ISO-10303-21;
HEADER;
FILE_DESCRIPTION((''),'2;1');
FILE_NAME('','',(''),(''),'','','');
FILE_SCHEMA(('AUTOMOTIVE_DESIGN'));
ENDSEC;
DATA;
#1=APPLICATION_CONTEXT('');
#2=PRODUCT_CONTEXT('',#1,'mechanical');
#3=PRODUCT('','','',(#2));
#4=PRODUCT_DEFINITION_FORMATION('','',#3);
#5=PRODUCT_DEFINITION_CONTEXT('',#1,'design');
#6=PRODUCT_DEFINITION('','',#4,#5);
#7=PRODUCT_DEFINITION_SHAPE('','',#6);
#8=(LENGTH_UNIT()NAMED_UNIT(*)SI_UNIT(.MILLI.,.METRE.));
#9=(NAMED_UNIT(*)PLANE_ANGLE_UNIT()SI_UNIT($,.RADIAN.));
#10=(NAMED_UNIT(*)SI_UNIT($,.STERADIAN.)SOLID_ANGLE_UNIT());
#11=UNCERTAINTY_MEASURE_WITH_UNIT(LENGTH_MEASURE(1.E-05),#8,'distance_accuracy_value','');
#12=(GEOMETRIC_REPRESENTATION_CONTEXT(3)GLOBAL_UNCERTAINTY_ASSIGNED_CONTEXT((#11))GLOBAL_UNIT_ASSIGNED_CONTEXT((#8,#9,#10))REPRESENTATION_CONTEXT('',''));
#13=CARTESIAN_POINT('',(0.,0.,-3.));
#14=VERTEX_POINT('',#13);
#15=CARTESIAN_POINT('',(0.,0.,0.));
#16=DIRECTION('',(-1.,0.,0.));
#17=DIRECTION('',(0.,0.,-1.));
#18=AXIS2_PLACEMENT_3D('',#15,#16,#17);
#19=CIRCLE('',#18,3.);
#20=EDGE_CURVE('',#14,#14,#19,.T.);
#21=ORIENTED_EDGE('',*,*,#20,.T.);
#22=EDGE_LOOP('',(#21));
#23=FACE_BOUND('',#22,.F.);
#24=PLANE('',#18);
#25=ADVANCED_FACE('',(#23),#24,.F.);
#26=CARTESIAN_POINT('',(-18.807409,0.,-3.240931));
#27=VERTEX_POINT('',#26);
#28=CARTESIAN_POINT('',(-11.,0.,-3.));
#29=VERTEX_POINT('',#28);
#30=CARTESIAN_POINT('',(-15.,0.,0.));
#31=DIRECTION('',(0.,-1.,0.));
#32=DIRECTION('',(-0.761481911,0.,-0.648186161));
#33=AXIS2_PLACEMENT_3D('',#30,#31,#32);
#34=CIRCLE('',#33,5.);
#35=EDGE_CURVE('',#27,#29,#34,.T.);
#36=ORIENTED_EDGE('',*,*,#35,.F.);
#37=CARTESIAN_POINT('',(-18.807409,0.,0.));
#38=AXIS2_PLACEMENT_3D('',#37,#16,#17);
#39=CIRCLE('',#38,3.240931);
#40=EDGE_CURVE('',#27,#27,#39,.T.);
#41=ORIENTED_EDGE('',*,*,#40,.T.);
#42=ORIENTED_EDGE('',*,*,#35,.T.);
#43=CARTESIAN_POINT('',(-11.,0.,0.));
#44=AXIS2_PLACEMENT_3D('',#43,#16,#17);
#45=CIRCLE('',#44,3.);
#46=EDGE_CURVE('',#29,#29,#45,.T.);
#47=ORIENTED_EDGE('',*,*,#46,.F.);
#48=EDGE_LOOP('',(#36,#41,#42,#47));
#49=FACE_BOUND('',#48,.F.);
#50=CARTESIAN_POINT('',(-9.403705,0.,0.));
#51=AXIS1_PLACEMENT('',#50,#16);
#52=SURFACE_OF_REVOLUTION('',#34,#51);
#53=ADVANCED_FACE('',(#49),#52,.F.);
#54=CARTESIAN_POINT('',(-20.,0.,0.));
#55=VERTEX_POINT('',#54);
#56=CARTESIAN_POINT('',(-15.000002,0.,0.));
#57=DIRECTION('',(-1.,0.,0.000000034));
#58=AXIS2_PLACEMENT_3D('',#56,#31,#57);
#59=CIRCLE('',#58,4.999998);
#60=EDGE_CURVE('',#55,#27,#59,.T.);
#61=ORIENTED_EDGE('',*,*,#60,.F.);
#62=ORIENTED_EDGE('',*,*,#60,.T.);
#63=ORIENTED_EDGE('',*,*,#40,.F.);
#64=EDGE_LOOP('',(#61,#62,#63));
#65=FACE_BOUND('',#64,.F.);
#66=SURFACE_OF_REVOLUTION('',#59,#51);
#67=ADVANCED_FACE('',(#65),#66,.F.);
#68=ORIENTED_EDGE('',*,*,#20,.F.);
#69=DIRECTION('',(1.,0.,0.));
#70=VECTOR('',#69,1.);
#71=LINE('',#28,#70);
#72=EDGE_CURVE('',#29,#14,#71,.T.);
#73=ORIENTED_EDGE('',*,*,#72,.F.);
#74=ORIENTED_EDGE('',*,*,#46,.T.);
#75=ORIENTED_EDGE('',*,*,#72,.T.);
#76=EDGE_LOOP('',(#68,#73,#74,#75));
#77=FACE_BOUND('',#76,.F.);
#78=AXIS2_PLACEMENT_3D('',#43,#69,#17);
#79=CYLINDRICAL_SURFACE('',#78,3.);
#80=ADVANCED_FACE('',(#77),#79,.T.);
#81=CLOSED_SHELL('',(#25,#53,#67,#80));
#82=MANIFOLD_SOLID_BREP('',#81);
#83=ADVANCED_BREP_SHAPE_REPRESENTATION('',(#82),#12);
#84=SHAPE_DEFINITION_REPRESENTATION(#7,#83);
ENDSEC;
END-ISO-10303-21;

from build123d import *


with BuildPart() as f1:
    # F0 (on Front) → F1 (revolve)
    with BuildSketch(Plane.XZ):
        with BuildLine():
            Line((0, -3), (0, 0))
            Line((0, 0), (-18.807409, 0))
            Line((-18.807409, 0), (-20, 0))
            ThreePointArc((-20, 0), (-19.69239, -1.726695), (-18.807409, -3.240931))
            ThreePointArc((-18.807409, -3.240931), (-14.845777, -4.997621), (-11, -3))
            Line((-11, -3), (0, -3))
        make_face()
    revolve(axis=Axis((-9.403705, 0, 0), (-1, 0, 0)))


solid = f1.part
